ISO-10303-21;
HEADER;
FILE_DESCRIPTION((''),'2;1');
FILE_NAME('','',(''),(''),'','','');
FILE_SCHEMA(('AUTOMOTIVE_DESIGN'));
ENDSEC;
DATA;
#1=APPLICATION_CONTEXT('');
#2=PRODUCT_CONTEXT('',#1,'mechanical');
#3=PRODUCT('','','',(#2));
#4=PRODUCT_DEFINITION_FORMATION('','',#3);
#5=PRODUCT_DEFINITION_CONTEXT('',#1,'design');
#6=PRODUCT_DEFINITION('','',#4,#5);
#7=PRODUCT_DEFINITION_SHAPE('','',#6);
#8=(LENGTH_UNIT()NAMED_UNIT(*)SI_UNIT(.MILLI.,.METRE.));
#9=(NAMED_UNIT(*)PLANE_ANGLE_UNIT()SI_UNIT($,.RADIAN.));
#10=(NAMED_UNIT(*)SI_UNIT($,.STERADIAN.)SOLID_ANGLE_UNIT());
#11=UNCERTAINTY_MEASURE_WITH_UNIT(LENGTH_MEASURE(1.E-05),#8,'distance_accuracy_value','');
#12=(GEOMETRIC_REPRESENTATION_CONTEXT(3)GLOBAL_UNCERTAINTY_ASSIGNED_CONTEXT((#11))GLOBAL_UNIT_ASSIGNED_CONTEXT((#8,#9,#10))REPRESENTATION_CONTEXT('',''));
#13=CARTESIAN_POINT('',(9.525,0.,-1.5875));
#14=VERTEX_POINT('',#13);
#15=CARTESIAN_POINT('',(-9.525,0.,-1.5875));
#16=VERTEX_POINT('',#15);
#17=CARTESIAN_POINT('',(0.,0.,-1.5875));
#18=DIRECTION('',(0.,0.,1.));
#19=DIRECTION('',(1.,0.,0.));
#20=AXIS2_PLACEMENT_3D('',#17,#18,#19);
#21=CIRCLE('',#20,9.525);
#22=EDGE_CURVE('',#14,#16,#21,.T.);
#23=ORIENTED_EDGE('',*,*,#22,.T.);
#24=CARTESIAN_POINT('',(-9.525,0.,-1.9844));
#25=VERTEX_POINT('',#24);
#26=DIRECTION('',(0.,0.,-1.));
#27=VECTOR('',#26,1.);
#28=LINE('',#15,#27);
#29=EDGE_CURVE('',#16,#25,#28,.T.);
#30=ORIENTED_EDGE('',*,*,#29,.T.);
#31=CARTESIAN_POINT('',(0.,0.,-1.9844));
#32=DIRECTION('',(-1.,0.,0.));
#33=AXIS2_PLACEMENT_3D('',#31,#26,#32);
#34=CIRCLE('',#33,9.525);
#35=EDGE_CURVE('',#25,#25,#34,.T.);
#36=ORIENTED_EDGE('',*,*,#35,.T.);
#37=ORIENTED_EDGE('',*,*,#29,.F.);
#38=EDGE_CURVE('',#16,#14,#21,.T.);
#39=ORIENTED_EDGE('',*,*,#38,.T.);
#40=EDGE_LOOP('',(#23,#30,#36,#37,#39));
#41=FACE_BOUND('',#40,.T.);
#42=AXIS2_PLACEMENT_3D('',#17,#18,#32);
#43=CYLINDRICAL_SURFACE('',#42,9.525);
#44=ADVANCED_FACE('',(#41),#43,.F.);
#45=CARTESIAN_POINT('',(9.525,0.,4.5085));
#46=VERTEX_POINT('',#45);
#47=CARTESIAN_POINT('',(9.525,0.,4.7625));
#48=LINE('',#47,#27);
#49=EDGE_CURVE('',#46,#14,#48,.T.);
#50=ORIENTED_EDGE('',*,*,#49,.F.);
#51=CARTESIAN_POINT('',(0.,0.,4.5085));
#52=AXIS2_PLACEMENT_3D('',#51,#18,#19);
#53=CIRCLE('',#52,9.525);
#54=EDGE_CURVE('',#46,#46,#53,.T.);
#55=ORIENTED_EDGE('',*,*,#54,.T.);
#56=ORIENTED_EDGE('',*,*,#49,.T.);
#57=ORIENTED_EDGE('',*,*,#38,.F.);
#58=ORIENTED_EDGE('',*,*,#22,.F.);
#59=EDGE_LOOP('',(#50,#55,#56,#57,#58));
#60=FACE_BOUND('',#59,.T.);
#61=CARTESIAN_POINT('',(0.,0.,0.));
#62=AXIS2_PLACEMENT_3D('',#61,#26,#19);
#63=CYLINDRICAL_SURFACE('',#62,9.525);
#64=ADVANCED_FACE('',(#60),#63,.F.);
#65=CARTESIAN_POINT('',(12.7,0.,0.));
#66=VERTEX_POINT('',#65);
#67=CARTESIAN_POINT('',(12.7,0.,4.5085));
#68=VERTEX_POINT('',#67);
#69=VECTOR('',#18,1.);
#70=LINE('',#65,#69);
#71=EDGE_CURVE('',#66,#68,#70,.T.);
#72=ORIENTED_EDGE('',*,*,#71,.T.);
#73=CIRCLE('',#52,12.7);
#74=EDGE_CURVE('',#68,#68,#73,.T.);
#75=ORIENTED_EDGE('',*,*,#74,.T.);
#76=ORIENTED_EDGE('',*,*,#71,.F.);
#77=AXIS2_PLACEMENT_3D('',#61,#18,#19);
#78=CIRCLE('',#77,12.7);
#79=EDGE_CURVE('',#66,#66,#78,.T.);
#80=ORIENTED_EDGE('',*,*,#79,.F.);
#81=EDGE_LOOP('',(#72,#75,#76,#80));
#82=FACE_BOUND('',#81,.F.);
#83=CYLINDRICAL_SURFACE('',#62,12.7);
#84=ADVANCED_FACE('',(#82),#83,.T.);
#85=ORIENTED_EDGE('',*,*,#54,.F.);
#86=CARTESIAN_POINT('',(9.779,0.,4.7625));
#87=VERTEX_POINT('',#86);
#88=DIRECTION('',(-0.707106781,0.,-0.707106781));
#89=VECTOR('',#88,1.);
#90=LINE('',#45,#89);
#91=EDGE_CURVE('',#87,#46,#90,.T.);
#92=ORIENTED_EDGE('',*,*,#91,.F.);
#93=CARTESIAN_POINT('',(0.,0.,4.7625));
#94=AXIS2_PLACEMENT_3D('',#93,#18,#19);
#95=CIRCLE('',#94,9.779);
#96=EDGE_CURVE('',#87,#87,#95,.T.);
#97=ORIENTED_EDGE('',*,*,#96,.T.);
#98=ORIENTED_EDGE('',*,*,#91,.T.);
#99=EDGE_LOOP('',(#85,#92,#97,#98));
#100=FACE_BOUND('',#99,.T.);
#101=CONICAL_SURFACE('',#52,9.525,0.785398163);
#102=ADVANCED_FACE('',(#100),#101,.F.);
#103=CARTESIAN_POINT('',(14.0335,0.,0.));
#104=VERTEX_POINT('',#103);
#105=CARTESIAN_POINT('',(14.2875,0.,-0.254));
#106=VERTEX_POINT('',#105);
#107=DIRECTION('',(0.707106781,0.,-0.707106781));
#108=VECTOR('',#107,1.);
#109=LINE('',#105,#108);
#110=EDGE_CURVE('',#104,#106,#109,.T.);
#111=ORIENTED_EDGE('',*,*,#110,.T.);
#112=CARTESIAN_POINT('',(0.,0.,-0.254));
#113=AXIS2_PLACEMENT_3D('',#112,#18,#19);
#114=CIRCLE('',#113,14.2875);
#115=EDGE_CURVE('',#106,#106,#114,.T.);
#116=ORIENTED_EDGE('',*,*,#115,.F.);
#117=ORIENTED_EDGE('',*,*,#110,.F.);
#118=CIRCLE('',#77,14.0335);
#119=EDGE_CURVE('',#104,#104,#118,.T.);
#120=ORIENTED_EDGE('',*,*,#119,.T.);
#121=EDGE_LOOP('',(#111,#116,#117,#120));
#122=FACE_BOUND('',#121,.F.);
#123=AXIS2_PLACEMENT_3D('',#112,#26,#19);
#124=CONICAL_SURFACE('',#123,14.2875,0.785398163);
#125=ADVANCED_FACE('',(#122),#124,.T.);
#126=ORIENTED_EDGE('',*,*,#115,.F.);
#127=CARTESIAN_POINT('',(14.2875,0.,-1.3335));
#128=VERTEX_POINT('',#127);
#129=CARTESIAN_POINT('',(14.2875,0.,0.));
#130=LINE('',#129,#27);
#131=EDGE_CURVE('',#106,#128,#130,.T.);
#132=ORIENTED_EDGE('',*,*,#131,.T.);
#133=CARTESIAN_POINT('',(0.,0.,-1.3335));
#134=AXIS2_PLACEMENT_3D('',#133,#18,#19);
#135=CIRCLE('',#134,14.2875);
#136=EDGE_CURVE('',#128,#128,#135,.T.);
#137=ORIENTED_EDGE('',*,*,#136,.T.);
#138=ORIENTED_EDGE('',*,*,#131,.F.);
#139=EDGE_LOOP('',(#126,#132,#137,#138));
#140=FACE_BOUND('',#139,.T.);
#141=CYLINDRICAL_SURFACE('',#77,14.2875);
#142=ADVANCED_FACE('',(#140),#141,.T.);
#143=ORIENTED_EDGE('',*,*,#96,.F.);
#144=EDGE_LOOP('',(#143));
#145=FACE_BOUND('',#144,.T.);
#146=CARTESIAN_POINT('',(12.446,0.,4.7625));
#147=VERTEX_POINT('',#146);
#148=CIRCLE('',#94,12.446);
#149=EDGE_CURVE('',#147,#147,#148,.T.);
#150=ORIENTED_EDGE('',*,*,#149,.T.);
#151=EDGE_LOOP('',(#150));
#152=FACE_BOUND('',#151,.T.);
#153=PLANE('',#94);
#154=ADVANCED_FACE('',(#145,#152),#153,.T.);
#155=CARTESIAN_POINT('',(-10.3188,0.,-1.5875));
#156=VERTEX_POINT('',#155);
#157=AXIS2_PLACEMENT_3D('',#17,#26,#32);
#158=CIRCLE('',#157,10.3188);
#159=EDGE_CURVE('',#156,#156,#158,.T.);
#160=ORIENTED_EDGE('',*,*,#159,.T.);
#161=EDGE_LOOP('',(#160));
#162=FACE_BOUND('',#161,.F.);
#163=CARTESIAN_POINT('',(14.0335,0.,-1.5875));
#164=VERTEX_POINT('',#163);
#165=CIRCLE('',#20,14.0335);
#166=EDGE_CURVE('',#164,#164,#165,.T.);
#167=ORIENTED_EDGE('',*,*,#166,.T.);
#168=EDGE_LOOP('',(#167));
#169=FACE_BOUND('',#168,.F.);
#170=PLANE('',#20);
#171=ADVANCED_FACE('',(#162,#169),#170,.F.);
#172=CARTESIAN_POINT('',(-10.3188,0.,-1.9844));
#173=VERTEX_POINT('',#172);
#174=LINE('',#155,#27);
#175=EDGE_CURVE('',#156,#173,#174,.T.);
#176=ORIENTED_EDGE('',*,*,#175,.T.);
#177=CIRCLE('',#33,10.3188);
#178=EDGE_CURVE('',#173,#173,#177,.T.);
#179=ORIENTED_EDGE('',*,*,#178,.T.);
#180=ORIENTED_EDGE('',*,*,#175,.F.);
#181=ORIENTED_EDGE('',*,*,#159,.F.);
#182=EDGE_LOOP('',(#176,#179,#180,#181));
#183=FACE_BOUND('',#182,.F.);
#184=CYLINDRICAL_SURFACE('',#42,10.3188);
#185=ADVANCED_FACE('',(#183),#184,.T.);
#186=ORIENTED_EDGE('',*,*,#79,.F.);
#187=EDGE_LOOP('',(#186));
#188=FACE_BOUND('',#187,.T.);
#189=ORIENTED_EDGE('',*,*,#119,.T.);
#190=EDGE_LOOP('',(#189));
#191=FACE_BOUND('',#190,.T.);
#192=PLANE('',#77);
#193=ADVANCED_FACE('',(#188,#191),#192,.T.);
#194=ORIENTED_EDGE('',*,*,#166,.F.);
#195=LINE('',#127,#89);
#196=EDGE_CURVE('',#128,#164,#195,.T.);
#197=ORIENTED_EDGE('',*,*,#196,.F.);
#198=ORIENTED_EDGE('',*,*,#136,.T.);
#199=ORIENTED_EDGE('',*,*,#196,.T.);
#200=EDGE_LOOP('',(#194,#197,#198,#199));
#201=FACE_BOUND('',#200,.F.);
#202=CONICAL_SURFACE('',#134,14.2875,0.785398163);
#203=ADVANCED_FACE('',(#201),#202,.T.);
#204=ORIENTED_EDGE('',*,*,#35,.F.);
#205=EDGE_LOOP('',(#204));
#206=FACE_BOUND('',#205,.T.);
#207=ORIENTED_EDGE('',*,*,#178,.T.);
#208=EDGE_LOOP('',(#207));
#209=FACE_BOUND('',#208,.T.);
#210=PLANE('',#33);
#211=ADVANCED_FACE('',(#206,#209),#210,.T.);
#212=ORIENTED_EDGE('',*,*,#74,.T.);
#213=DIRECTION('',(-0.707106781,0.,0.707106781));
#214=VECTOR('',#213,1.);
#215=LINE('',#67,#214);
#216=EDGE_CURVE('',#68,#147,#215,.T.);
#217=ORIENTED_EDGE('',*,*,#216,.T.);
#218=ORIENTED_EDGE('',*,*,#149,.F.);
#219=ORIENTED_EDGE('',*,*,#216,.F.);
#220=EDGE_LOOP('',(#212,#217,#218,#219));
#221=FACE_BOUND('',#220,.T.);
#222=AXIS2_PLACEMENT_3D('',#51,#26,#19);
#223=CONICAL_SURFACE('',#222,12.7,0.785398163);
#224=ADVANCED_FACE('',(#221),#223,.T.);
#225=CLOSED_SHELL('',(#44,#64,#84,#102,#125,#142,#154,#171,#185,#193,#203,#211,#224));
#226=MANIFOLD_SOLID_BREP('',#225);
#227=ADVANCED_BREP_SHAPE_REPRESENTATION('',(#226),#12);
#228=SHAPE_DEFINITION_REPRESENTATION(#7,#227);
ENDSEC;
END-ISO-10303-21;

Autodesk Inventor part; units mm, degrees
ref_plane "YZ Plane" through (0, 0, 0) normal (1, 0, 0) x (0, 1, 0)
ref_plane "XZ Plane" through (0, 0, 0) normal (0, 1, 0) x (-1, 0, 0)
ref_plane "XY Plane" through (0, 0, 0) normal (0, 0, 1) x (1, 0, 0)
sketch "Sketch1" plane through (0, 0, 0) normal (0, 0, 1) x (1, 0, 0)
  circle A0 centre (0, 0) radius 9.525
  circle A1 centre (0, 0) radius 12.7
  circle A2 centre (0, 0) radius 14.2875
  dimension "d0" = 19.05
  dimension "d1" = 25.4
  dimension "d2" = 28.575
extrude "Extrusion1" add sketch "Sketch1" along normal blind 4.7625 contours A1
extrude "Extrusion2" add sketch "Sketch1" against normal blind 1.5875 contours A1 | A2
chamfer "Chamfer1" distance 0.254 angle 45 4 edges at (-12.7, 0, 4.7625) (-9.525, 0, 4.7625) (-14.2875, 0, 0) (-14.2875, 0, -1.5875)
sketch "Sketch2" plane through (0, 0, -1.5875) normal (0, 0, -1) x (-1, 0, 0)
  circle A0 centre (0, 0) radius 9.525 projected
  circle A1 centre (0, 0) radius 14.2875 projected
  circle A2 centre (0, 0) radius 10.3188
  dimension "d10" = 20.6375
extrude "Extrusion3" add sketch "Sketch2" along normal blind 0.3969 contours A2
properties part number "Ball Shifting Bushing" material "Brass, Soft Yellow"
